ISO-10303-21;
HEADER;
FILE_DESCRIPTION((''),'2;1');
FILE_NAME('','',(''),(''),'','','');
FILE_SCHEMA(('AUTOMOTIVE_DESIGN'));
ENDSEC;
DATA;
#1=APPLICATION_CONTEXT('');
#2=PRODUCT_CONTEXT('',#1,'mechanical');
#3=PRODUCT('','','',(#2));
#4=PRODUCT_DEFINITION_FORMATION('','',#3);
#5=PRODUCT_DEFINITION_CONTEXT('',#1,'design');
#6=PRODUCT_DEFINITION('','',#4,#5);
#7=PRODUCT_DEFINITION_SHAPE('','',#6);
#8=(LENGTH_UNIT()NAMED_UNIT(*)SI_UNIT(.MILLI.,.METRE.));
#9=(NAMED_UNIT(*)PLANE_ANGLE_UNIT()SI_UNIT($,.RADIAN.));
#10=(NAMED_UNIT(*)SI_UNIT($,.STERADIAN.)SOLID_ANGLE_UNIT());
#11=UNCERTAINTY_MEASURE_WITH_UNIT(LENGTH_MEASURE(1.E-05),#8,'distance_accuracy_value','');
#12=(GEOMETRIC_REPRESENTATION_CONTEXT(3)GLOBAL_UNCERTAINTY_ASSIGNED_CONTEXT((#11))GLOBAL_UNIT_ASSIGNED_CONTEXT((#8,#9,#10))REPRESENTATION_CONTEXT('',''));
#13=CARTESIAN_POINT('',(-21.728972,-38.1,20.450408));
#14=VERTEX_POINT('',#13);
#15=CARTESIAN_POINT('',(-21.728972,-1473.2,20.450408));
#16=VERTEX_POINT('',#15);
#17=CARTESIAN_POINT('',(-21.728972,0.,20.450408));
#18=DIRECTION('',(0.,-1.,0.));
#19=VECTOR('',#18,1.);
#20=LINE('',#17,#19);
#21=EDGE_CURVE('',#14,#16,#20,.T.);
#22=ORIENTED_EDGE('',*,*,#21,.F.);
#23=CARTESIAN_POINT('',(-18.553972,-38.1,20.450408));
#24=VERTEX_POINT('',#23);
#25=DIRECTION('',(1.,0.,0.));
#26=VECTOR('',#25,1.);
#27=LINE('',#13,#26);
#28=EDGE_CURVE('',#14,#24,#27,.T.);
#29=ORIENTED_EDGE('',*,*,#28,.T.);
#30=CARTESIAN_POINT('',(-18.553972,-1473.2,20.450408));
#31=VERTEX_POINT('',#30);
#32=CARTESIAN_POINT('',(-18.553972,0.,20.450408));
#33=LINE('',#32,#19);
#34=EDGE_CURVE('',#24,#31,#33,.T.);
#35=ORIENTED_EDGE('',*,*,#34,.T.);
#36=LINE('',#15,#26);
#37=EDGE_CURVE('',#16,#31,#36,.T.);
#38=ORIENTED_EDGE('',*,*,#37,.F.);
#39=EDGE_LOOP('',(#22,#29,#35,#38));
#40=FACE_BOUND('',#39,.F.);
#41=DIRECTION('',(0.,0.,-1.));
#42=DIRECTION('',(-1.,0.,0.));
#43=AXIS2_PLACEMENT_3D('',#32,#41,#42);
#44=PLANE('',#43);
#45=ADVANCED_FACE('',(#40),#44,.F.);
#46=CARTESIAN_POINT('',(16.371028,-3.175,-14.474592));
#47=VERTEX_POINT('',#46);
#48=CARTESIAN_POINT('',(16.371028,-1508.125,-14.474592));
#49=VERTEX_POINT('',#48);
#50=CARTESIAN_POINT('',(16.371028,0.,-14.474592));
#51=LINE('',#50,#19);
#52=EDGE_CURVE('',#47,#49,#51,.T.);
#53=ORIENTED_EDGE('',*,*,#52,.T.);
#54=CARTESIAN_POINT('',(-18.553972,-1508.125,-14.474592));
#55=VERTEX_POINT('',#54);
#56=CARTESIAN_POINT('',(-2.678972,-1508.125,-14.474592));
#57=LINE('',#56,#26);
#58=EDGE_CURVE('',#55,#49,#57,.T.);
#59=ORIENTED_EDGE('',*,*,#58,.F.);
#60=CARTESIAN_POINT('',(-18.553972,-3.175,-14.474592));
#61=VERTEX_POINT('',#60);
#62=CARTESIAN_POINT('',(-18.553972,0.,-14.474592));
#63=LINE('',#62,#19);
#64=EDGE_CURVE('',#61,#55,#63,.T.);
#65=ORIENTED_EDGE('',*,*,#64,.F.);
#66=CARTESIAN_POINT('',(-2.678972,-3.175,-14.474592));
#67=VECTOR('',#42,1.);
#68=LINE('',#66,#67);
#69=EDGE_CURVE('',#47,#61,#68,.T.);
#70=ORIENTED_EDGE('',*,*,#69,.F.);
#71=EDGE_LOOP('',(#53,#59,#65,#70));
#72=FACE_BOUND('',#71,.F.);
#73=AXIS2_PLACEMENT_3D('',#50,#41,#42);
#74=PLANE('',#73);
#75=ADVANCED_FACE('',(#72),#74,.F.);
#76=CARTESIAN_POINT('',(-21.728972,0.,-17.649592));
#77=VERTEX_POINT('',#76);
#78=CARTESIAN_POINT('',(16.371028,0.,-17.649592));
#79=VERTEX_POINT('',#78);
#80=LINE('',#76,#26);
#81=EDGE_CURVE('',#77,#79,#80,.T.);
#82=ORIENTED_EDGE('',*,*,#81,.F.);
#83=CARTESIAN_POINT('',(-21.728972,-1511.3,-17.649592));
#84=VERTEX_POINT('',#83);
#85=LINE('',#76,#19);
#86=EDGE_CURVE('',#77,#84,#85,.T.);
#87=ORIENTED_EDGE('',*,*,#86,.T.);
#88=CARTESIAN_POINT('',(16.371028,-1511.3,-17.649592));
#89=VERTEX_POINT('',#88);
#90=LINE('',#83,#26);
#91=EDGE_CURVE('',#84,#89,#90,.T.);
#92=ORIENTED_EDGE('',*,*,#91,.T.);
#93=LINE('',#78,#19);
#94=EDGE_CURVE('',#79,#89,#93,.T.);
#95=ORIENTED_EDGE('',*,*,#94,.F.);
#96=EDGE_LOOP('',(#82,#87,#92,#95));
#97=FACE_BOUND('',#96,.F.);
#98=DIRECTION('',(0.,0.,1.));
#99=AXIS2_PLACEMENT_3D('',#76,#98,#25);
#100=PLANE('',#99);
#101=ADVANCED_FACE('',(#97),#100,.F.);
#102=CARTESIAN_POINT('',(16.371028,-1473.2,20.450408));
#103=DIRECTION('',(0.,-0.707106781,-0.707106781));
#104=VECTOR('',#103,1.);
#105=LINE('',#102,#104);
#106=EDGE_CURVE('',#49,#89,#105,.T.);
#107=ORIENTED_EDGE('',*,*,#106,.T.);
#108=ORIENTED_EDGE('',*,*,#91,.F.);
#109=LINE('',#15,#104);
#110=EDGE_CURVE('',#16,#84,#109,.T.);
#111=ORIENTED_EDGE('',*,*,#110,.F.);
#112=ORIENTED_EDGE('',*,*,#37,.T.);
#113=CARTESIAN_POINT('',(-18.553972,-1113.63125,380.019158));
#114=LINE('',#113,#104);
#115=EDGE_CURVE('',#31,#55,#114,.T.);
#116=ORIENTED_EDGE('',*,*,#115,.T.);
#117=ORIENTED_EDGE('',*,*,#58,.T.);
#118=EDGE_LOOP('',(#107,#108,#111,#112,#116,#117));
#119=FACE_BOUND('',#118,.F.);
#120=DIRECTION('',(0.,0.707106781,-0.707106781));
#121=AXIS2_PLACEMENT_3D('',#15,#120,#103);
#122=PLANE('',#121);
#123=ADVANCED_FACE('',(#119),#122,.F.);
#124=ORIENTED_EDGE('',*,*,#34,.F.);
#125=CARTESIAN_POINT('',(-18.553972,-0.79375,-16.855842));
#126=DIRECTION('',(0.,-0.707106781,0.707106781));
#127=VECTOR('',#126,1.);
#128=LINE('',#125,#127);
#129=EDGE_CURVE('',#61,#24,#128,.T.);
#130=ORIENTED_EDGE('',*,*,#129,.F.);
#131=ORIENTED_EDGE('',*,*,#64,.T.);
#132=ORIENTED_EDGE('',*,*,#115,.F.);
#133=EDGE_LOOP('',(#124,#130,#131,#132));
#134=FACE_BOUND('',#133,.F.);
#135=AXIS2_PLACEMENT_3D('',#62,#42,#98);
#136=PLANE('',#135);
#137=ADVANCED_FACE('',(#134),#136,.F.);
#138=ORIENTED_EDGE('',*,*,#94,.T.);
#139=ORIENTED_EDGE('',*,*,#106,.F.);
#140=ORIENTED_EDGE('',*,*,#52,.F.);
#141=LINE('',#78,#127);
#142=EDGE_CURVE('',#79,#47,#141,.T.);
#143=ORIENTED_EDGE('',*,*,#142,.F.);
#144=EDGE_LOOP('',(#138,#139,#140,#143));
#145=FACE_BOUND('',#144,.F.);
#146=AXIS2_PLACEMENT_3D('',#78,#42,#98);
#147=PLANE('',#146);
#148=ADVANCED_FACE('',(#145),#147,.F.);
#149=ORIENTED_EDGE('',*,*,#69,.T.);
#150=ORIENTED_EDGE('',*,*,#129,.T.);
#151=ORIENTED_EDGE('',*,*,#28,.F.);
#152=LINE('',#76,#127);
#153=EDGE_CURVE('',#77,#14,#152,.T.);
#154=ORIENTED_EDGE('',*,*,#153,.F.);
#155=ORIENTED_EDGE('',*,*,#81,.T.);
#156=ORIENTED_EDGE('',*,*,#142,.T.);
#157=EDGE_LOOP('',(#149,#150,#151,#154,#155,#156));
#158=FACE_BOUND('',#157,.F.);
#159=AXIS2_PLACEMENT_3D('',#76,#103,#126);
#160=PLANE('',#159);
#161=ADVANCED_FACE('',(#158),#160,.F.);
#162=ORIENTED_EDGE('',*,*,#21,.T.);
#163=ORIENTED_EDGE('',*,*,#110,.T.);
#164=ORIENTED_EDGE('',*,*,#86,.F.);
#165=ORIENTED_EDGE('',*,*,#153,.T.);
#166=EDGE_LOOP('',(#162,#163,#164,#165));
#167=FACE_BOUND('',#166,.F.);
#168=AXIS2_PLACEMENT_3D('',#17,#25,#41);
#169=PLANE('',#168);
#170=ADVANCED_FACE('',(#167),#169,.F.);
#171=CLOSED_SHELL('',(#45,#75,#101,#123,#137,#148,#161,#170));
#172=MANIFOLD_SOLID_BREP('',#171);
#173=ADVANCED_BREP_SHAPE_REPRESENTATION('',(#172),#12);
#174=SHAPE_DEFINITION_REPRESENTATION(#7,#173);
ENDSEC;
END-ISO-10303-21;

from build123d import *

# Parameters (mm, degrees)
F1_DEPTH = 1511.3
F3_DEPTH = 38.1


with BuildPart() as f1:
    # F0 (on Front) → F1 (new body)
    with BuildSketch(Plane.XZ):
        Polygon((-18.553972, 20.450408), (-21.728972, 20.450408), (-21.728972, -17.649592), (16.371028, -17.649592), (16.371028, -14.474592), (-18.553972, -14.474592), align=None)
    extrude(amount=F1_DEPTH)

    # F2 (on face) → F3 (cut)
    with BuildSketch(Plane(origin=(-21.728972, 0, 0), x_dir=(0, -1, 0), z_dir=(-1, 0, 0))):
        Polygon((1473.2, 20.450408), (1511.3, -17.649592), (1511.3, 20.450408), align=None)
        Polygon((0, 20.450408), (0, -17.649592), (38.1, 20.450408), align=None)
    extrude(amount=-F3_DEPTH, mode=Mode.SUBTRACT)


solid = f1.part
